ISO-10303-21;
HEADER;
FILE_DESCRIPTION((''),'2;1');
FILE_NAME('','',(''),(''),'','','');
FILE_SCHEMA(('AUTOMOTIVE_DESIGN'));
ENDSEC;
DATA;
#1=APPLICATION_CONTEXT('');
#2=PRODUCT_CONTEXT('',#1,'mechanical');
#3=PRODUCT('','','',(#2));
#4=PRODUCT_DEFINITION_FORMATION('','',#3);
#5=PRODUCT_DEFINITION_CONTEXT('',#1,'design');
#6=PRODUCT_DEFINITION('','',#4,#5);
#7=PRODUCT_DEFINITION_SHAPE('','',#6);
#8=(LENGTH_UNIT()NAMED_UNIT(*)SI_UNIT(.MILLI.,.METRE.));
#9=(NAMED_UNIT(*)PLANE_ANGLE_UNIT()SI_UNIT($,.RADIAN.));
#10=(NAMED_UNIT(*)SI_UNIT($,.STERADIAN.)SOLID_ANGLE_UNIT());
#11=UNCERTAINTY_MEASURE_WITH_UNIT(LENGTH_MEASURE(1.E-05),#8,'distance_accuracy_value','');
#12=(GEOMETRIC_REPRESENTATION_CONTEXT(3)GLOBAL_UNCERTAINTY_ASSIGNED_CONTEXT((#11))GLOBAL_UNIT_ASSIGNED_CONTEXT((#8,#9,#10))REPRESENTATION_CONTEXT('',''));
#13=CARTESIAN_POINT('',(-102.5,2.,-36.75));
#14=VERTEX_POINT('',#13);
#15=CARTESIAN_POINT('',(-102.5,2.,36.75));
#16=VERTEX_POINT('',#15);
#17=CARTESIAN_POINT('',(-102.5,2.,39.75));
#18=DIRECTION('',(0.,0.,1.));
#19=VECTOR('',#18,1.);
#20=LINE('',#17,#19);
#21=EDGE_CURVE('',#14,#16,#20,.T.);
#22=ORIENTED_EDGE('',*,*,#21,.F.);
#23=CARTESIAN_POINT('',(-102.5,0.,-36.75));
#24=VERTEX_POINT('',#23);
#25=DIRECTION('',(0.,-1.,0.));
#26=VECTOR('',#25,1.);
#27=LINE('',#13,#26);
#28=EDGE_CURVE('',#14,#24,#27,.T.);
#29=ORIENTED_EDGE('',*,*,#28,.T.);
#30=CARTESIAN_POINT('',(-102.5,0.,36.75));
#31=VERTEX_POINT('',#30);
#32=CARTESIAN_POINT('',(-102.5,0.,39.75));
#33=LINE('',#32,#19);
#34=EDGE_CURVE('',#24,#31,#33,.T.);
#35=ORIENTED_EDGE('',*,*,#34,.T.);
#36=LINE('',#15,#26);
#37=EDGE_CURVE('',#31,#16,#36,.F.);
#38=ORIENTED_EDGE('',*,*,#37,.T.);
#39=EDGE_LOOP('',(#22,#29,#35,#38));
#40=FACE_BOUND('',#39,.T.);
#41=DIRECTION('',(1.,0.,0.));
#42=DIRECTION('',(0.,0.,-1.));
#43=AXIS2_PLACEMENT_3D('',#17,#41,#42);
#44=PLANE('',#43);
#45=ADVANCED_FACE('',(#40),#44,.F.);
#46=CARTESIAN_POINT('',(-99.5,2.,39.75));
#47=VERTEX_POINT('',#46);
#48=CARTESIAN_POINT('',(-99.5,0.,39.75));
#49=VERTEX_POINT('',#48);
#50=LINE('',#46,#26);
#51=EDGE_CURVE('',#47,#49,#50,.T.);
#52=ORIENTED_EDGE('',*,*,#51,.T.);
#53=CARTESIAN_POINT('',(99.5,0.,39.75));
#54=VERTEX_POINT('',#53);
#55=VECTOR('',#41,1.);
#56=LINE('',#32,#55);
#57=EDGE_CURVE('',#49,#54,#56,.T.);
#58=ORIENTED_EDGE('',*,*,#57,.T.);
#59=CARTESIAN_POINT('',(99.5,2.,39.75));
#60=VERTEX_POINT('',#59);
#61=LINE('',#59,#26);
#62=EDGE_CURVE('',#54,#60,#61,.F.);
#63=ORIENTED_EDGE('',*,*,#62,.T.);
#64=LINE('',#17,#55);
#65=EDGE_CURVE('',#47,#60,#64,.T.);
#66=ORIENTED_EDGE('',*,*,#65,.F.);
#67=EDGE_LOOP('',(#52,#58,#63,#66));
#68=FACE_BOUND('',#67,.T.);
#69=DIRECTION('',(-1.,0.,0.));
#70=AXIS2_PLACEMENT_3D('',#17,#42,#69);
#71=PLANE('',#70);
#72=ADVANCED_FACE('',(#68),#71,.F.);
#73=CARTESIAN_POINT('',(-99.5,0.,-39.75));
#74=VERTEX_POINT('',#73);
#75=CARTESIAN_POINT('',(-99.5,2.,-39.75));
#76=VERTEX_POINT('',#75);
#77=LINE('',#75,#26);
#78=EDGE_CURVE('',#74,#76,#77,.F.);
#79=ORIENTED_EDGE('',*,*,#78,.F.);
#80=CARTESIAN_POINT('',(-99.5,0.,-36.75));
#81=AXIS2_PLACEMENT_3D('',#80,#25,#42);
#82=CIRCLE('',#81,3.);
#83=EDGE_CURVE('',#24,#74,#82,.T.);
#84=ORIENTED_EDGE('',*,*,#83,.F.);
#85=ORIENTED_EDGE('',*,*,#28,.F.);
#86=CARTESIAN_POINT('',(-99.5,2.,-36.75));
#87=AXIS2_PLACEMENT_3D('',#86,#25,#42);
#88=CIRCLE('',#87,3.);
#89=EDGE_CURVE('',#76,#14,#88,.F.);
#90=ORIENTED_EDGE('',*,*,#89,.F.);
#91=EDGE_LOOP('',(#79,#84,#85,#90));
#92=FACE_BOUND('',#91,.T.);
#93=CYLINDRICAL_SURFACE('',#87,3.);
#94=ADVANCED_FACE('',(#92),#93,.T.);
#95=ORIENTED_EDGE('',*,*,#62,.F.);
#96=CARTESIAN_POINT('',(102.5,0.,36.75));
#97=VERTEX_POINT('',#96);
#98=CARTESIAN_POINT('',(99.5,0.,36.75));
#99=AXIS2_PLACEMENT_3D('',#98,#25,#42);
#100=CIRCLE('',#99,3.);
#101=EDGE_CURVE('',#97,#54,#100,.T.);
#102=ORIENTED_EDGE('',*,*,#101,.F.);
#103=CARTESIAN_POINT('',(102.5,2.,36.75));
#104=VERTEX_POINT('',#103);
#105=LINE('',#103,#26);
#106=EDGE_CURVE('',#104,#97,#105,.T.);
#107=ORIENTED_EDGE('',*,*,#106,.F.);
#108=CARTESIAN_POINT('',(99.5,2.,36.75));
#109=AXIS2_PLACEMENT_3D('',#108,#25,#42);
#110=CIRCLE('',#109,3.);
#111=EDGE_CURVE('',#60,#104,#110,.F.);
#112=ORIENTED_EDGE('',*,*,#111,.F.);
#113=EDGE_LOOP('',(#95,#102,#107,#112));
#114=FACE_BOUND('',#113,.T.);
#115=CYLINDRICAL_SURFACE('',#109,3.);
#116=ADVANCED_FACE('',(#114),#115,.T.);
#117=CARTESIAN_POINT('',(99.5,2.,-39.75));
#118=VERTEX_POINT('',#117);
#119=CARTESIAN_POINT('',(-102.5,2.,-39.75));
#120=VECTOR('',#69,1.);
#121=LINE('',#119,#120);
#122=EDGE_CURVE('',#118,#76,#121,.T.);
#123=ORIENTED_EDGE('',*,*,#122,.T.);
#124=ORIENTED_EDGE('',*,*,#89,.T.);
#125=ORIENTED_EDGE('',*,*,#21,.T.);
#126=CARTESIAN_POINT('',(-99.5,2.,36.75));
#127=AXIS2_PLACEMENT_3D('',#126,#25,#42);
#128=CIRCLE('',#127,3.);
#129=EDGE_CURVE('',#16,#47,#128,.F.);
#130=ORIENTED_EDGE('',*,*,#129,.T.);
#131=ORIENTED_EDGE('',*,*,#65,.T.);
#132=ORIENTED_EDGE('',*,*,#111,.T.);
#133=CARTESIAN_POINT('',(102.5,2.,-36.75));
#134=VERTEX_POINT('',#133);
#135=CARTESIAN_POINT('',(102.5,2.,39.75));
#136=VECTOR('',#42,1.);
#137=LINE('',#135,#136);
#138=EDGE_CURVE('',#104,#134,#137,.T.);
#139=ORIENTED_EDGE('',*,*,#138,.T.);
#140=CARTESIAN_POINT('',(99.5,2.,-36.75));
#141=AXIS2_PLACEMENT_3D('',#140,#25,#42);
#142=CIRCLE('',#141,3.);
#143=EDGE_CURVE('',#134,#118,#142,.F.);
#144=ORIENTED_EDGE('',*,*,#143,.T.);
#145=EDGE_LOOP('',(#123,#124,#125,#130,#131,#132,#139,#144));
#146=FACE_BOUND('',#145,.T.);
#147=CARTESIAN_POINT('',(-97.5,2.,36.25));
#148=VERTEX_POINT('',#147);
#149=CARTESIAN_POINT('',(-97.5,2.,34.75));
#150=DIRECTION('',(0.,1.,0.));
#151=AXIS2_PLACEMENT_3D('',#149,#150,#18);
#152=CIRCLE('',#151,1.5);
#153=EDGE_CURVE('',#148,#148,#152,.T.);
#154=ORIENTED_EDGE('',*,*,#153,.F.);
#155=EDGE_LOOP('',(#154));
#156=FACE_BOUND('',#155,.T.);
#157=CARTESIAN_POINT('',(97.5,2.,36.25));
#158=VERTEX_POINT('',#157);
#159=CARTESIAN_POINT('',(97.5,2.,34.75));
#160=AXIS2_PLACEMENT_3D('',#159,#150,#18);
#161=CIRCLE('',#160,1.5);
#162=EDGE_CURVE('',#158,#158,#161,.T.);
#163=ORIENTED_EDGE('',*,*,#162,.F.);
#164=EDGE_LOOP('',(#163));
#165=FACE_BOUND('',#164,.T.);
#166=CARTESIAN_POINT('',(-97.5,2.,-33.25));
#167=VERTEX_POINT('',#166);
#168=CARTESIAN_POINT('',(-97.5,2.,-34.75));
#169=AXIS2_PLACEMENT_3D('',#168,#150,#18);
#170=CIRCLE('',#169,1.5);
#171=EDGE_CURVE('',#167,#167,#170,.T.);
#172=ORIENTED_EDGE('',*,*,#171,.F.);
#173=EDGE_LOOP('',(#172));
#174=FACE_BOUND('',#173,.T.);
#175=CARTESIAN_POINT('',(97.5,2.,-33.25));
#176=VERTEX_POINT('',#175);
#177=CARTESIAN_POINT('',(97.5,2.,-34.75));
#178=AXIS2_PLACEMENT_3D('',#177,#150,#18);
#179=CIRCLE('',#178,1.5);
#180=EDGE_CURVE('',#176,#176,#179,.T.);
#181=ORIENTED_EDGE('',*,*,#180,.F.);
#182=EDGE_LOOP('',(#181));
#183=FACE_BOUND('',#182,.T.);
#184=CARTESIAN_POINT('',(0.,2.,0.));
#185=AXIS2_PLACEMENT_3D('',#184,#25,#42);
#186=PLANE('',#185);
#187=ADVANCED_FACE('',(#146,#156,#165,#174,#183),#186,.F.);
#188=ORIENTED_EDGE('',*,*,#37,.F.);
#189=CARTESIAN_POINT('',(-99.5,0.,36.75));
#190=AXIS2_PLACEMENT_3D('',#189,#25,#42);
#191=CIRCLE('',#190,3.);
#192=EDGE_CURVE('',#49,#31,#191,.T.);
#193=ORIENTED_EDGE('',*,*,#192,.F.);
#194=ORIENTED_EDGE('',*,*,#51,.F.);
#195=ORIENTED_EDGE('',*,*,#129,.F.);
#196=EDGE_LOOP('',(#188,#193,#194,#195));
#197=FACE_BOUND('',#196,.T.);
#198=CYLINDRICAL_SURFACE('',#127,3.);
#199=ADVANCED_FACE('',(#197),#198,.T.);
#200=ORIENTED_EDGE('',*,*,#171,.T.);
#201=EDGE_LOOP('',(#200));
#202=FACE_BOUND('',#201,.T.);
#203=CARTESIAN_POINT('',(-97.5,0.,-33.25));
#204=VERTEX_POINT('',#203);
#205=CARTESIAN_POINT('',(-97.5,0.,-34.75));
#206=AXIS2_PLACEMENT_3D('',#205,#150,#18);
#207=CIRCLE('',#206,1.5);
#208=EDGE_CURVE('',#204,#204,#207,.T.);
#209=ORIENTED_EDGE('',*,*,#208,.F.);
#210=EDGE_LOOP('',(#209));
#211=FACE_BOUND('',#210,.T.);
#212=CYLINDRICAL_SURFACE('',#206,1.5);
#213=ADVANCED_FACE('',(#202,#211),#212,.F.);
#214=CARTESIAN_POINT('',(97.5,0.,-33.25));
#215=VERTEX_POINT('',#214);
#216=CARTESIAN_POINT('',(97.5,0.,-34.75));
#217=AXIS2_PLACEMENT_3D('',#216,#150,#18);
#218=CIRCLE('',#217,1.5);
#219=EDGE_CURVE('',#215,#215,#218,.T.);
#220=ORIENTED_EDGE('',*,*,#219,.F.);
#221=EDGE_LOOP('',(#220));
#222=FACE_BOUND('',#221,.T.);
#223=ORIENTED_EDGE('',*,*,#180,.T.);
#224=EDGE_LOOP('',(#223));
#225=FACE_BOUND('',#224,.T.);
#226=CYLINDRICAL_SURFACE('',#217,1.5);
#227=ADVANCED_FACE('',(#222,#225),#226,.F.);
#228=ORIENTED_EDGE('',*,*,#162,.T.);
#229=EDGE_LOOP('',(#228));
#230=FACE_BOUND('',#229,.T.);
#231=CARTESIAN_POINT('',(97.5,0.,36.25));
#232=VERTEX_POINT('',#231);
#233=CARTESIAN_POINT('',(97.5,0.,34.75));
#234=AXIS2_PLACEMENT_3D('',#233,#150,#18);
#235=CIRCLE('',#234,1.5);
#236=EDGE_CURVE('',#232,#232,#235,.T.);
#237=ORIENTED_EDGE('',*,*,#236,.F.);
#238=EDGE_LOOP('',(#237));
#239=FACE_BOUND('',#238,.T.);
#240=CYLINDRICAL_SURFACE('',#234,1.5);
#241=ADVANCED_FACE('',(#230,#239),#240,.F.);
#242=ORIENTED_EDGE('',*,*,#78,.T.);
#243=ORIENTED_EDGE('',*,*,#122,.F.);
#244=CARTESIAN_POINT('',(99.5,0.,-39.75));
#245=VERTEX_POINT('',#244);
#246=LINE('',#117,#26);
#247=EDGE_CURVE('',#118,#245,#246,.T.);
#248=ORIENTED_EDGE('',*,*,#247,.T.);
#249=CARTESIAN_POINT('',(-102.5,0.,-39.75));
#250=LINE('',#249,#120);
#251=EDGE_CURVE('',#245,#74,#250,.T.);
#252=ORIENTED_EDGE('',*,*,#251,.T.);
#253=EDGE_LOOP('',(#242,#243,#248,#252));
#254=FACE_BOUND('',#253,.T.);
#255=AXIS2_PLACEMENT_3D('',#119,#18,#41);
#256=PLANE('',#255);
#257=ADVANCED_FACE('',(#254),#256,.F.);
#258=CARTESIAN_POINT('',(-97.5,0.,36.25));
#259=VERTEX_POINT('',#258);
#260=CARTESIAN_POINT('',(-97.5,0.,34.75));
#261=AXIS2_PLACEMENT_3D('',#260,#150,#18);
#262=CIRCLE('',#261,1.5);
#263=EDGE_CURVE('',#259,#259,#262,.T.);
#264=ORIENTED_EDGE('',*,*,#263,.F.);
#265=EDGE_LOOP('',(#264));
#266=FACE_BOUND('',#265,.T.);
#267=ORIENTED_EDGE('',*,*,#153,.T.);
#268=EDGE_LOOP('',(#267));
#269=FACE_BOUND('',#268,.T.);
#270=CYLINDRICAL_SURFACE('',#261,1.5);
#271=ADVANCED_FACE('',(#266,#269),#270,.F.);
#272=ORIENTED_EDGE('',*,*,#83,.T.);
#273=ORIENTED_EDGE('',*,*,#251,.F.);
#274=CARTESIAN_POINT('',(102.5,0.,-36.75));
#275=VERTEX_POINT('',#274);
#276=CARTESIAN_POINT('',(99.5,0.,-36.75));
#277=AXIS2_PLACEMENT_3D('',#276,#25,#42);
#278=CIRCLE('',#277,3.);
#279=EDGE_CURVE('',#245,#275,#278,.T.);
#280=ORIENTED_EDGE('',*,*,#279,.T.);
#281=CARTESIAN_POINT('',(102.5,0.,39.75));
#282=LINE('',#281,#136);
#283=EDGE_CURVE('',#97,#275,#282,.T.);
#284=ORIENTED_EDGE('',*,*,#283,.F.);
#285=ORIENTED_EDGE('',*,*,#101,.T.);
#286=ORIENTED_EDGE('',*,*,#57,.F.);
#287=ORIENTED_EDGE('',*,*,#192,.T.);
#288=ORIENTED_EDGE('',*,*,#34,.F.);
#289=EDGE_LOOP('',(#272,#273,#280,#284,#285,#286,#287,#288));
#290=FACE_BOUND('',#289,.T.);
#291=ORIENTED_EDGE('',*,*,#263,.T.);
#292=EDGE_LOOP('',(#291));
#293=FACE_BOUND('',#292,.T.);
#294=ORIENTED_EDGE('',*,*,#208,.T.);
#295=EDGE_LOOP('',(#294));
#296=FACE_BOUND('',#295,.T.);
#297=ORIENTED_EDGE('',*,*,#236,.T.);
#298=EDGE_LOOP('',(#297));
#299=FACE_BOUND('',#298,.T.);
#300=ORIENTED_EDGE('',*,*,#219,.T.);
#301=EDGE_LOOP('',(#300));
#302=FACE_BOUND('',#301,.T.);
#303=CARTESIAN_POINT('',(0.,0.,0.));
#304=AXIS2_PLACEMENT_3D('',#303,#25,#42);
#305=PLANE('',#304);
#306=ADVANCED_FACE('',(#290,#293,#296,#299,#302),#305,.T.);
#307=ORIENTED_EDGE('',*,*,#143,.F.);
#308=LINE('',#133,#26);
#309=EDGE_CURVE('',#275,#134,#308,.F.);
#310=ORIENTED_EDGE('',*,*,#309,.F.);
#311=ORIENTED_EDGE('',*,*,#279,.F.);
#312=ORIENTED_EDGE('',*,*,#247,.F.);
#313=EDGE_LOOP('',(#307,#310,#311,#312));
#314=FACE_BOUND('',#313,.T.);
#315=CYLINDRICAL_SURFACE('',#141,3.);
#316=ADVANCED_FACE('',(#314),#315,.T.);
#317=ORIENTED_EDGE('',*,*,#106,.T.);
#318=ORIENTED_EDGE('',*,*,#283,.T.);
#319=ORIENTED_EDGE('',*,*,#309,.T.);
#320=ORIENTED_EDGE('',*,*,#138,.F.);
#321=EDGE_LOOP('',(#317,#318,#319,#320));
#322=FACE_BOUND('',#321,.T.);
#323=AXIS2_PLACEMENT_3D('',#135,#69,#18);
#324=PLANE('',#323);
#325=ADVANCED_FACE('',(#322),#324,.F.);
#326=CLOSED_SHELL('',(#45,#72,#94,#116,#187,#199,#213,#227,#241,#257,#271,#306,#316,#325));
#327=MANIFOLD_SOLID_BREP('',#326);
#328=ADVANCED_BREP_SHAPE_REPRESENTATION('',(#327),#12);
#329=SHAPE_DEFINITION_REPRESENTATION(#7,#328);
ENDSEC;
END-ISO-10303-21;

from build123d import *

# Parameters (mm, degrees)
SKETCH1_W           = 205
SKETCH1_H           = 79.5
BOSS_EXTRUDE1_DEPTH = 2
SKETCH2_R           = 1.5
CUT_EXTRUDE1_DEPTH  = 2
FILLET1_R           = 3
FILLET3_R           = 3
FILLET4_R           = 3
FILLET5_R           = 3


with BuildPart() as part:
    # Sketch1 → Boss-Extrude1 (new body)
    with BuildSketch(Plane(origin=(0, 0, 0), x_dir=(1, 0, 0), z_dir=(0, 1, 0))):
        Rectangle(SKETCH1_W, SKETCH1_H)
    extrude(amount=BOSS_EXTRUDE1_DEPTH)

    # Sketch2 → Cut-Extrude1 (cut)
    with BuildSketch(Plane(origin=(0, 2, 0), x_dir=(1, 0, 0), z_dir=(0, 1, 0))):
        with Locations((-97.5, 34.75)):
            Circle(SKETCH2_R)
        with Locations((-97.5, -34.75)):
            Circle(SKETCH2_R)
        with Locations((97.5, -34.75)):
            Circle(SKETCH2_R)
        with Locations((97.5, 34.75)):
            Circle(SKETCH2_R)
    extrude(amount=-CUT_EXTRUDE1_DEPTH, mode=Mode.SUBTRACT)

    # Fillet1
    fillet1_edges = [part.edges().sort_by_distance(p)[0] for p in [
        (-102.5, 1, 39.75),
    ]]
    fillet(fillet1_edges, radius=FILLET1_R)

    # Fillet3
    fillet3_edges = [part.edges().sort_by_distance(p)[0] for p in [
        (102.5, 1, 39.75),
    ]]
    fillet(fillet3_edges, radius=FILLET3_R)

    # Fillet4
    fillet4_edges = [part.edges().sort_by_distance(p)[0] for p in [
        (102.5, 1, -39.75),
    ]]
    fillet(fillet4_edges, radius=FILLET4_R)

    # Fillet5
    fillet5_edges = [part.edges().sort_by_distance(p)[0] for p in [
        (-102.5, 1, -39.75),
    ]]
    fillet(fillet5_edges, radius=FILLET5_R)


solid = part.part
